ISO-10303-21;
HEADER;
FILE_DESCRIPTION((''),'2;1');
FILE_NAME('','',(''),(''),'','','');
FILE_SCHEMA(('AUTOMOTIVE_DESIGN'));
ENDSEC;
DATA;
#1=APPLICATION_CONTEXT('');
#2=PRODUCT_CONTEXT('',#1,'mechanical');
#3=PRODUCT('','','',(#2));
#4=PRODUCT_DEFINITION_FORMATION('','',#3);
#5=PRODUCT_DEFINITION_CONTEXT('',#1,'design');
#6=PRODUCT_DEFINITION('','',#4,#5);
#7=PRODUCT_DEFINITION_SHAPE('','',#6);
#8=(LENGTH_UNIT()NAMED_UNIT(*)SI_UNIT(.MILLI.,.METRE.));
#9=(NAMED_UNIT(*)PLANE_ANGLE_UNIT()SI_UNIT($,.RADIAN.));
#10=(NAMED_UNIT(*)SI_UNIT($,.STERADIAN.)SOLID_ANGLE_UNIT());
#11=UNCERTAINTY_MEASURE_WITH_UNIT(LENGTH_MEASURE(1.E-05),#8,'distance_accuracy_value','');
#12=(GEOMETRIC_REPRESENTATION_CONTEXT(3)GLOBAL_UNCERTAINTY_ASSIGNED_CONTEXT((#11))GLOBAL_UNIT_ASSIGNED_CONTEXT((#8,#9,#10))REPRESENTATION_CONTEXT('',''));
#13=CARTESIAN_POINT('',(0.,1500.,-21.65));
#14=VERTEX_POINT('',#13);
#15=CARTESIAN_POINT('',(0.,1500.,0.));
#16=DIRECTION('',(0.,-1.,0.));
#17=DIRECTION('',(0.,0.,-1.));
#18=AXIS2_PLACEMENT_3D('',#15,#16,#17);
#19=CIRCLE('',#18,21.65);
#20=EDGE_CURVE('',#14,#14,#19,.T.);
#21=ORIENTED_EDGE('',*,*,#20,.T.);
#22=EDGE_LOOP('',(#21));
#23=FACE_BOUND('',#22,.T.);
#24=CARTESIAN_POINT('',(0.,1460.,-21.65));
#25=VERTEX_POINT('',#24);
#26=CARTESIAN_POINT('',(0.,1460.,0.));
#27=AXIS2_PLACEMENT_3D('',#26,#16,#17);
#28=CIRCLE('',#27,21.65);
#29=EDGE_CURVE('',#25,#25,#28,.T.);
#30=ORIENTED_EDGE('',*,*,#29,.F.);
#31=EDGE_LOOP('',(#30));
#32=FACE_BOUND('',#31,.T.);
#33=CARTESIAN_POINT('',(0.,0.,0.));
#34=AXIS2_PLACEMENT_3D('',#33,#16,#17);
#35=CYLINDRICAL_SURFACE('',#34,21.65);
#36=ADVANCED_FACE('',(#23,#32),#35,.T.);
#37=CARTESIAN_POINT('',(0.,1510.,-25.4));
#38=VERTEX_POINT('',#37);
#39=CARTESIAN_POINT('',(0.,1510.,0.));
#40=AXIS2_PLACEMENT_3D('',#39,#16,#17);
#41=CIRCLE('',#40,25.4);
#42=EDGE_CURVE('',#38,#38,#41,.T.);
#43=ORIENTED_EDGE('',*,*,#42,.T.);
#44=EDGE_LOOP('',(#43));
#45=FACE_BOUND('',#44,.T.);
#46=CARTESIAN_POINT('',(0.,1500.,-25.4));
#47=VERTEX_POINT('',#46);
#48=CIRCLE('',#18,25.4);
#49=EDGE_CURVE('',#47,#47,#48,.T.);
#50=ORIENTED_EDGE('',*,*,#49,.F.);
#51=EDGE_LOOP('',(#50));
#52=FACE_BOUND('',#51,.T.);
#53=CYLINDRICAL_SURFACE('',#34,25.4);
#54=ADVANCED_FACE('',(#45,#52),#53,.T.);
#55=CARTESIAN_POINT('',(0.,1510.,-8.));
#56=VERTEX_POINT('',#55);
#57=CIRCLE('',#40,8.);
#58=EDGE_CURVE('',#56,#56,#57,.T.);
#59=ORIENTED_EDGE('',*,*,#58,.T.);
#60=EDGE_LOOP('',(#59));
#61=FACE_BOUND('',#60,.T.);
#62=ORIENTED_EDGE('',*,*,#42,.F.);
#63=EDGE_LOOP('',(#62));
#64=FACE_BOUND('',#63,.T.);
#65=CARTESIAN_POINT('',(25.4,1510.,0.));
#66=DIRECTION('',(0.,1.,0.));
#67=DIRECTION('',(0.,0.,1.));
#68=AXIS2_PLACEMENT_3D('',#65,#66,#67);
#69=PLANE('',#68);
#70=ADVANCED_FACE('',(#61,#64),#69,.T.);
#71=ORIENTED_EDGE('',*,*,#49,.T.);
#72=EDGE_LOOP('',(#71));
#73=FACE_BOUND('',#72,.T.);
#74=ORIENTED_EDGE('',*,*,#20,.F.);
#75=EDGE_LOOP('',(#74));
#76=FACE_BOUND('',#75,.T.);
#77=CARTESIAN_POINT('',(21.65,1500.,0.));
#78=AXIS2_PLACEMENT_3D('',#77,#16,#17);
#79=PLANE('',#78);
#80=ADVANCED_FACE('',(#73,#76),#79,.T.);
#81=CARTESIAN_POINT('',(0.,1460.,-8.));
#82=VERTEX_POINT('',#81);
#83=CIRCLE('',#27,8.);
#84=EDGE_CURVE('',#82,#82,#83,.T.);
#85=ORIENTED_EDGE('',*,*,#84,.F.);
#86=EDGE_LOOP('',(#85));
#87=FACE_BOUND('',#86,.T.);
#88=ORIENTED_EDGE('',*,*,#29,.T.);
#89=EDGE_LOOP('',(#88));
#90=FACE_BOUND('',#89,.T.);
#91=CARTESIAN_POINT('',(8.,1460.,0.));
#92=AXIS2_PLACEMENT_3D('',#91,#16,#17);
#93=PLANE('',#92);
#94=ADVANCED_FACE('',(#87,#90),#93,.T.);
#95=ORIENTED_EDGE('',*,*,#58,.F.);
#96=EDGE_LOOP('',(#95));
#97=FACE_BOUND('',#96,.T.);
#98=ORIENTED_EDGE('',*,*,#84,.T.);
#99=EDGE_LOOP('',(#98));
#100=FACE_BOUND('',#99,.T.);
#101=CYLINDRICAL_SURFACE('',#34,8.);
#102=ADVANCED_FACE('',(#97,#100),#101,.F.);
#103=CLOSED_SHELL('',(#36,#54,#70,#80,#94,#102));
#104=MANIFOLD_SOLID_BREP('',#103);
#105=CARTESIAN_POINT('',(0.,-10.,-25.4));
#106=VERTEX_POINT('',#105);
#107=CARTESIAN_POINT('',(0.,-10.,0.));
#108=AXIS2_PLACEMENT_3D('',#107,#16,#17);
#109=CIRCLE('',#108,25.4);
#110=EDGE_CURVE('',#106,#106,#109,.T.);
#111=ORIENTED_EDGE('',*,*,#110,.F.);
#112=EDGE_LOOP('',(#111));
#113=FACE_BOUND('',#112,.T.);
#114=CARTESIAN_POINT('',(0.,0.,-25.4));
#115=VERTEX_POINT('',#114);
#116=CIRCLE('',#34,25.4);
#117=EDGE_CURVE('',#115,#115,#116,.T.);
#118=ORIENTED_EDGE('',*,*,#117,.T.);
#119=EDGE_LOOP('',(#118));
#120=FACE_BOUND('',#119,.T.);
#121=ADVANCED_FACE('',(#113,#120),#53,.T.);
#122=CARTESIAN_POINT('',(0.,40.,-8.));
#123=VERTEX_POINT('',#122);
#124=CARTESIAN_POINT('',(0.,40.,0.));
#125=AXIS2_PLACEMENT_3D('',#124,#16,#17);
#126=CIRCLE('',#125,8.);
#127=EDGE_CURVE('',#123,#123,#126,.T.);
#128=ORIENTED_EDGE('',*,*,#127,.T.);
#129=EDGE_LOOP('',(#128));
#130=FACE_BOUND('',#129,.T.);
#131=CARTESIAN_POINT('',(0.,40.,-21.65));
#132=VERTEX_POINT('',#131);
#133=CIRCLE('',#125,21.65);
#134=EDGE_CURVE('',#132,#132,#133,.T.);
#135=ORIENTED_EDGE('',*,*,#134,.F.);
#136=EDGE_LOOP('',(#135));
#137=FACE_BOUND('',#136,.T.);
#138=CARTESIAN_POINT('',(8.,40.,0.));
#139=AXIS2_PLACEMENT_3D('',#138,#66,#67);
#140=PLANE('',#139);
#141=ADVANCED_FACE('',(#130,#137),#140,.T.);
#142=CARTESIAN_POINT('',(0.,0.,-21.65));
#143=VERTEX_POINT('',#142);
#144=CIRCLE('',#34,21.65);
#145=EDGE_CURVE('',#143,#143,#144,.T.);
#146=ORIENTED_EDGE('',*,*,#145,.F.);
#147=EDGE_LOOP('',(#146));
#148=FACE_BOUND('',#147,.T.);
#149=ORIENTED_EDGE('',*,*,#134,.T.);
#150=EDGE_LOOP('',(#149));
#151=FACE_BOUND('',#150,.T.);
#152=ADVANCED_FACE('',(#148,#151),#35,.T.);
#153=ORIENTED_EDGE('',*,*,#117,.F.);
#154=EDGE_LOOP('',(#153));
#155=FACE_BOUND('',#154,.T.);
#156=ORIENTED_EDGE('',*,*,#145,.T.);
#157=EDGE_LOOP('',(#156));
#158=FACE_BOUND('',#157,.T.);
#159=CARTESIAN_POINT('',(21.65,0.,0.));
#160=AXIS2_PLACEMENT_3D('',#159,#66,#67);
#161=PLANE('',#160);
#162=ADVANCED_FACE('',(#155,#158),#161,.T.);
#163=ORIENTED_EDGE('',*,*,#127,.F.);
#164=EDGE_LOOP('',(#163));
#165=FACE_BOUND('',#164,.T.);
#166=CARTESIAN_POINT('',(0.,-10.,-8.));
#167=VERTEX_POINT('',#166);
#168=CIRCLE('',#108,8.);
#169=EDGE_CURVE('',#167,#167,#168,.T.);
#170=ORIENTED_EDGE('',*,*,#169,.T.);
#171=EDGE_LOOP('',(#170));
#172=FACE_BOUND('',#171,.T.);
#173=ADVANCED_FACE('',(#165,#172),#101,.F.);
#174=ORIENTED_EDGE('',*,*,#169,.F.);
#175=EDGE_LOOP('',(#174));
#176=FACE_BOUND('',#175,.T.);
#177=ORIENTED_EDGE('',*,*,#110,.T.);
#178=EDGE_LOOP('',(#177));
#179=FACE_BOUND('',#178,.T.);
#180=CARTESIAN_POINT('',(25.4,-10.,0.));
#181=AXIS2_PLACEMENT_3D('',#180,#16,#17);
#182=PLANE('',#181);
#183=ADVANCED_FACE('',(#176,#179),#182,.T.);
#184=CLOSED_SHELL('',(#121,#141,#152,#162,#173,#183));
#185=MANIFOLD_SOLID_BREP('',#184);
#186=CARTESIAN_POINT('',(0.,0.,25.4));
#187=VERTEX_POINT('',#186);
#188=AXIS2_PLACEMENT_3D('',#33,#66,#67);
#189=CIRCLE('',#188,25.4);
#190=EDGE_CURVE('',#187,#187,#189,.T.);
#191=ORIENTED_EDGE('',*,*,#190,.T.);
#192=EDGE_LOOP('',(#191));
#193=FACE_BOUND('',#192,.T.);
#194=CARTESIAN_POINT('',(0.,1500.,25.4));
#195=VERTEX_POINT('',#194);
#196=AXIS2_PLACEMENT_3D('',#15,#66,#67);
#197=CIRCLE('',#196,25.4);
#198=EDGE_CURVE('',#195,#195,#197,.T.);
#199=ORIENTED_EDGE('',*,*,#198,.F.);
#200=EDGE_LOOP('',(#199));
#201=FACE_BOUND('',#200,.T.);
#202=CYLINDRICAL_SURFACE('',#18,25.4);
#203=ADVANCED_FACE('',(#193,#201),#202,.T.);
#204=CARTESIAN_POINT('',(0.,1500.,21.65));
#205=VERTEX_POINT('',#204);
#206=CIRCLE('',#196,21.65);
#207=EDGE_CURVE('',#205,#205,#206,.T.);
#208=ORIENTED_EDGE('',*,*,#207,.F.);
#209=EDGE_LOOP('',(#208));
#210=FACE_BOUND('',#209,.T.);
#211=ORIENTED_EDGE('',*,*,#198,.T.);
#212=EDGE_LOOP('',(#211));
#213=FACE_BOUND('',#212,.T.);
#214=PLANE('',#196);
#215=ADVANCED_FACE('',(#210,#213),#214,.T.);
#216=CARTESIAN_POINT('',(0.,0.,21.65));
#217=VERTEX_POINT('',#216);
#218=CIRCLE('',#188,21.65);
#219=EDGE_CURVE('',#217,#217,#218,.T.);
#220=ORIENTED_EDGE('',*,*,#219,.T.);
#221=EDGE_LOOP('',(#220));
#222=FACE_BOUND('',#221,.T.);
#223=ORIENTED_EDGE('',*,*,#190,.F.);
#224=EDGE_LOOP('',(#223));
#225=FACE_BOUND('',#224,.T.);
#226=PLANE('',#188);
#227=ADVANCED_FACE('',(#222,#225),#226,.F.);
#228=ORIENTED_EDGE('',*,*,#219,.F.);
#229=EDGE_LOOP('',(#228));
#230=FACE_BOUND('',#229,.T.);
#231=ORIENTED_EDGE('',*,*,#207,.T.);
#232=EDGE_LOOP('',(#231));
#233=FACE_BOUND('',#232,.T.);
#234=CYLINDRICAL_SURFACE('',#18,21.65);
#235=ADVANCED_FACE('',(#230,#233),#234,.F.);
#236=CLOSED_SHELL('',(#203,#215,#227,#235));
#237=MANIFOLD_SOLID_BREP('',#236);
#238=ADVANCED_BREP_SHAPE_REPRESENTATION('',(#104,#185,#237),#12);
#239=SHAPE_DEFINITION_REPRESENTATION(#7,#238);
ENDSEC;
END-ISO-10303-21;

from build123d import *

# Parameters (mm, degrees)
ESBO_O1_R                = 25.4
ESBO_O1_R_2              = 21.65
RESSALTO_EXTRUS_O1_DEPTH = 1500


with BuildPart() as part:
    # Esboço1 → Ressalto-extrusão1 (new body)
    with BuildSketch(Plane(origin=(0, 0, 0), x_dir=(1, 0, 0), z_dir=(0, 1, 0))):
        Circle(ESBO_O1_R)
        Circle(ESBO_O1_R_2, mode=Mode.SUBTRACT)
    extrude(amount=RESSALTO_EXTRUS_O1_DEPTH)


with BuildPart() as body_2:
    # Esboço2 → Revolução1 (revolve)
    with BuildSketch(Plane.XY):
        Polygon((25.4, 1500), (25.4, 1510), (8, 1510), (8, 1460), (21.65, 1460), (21.65, 1500), align=None)
        Polygon((8, -10), (8, 40), (21.65, 40), (21.65, 0), (25.4, 0), (25.4, -10), align=None)
    revolve(axis=Axis((0, 0, 0), (0, 1, 0)))


solid = Compound([part.part, body_2.part])
